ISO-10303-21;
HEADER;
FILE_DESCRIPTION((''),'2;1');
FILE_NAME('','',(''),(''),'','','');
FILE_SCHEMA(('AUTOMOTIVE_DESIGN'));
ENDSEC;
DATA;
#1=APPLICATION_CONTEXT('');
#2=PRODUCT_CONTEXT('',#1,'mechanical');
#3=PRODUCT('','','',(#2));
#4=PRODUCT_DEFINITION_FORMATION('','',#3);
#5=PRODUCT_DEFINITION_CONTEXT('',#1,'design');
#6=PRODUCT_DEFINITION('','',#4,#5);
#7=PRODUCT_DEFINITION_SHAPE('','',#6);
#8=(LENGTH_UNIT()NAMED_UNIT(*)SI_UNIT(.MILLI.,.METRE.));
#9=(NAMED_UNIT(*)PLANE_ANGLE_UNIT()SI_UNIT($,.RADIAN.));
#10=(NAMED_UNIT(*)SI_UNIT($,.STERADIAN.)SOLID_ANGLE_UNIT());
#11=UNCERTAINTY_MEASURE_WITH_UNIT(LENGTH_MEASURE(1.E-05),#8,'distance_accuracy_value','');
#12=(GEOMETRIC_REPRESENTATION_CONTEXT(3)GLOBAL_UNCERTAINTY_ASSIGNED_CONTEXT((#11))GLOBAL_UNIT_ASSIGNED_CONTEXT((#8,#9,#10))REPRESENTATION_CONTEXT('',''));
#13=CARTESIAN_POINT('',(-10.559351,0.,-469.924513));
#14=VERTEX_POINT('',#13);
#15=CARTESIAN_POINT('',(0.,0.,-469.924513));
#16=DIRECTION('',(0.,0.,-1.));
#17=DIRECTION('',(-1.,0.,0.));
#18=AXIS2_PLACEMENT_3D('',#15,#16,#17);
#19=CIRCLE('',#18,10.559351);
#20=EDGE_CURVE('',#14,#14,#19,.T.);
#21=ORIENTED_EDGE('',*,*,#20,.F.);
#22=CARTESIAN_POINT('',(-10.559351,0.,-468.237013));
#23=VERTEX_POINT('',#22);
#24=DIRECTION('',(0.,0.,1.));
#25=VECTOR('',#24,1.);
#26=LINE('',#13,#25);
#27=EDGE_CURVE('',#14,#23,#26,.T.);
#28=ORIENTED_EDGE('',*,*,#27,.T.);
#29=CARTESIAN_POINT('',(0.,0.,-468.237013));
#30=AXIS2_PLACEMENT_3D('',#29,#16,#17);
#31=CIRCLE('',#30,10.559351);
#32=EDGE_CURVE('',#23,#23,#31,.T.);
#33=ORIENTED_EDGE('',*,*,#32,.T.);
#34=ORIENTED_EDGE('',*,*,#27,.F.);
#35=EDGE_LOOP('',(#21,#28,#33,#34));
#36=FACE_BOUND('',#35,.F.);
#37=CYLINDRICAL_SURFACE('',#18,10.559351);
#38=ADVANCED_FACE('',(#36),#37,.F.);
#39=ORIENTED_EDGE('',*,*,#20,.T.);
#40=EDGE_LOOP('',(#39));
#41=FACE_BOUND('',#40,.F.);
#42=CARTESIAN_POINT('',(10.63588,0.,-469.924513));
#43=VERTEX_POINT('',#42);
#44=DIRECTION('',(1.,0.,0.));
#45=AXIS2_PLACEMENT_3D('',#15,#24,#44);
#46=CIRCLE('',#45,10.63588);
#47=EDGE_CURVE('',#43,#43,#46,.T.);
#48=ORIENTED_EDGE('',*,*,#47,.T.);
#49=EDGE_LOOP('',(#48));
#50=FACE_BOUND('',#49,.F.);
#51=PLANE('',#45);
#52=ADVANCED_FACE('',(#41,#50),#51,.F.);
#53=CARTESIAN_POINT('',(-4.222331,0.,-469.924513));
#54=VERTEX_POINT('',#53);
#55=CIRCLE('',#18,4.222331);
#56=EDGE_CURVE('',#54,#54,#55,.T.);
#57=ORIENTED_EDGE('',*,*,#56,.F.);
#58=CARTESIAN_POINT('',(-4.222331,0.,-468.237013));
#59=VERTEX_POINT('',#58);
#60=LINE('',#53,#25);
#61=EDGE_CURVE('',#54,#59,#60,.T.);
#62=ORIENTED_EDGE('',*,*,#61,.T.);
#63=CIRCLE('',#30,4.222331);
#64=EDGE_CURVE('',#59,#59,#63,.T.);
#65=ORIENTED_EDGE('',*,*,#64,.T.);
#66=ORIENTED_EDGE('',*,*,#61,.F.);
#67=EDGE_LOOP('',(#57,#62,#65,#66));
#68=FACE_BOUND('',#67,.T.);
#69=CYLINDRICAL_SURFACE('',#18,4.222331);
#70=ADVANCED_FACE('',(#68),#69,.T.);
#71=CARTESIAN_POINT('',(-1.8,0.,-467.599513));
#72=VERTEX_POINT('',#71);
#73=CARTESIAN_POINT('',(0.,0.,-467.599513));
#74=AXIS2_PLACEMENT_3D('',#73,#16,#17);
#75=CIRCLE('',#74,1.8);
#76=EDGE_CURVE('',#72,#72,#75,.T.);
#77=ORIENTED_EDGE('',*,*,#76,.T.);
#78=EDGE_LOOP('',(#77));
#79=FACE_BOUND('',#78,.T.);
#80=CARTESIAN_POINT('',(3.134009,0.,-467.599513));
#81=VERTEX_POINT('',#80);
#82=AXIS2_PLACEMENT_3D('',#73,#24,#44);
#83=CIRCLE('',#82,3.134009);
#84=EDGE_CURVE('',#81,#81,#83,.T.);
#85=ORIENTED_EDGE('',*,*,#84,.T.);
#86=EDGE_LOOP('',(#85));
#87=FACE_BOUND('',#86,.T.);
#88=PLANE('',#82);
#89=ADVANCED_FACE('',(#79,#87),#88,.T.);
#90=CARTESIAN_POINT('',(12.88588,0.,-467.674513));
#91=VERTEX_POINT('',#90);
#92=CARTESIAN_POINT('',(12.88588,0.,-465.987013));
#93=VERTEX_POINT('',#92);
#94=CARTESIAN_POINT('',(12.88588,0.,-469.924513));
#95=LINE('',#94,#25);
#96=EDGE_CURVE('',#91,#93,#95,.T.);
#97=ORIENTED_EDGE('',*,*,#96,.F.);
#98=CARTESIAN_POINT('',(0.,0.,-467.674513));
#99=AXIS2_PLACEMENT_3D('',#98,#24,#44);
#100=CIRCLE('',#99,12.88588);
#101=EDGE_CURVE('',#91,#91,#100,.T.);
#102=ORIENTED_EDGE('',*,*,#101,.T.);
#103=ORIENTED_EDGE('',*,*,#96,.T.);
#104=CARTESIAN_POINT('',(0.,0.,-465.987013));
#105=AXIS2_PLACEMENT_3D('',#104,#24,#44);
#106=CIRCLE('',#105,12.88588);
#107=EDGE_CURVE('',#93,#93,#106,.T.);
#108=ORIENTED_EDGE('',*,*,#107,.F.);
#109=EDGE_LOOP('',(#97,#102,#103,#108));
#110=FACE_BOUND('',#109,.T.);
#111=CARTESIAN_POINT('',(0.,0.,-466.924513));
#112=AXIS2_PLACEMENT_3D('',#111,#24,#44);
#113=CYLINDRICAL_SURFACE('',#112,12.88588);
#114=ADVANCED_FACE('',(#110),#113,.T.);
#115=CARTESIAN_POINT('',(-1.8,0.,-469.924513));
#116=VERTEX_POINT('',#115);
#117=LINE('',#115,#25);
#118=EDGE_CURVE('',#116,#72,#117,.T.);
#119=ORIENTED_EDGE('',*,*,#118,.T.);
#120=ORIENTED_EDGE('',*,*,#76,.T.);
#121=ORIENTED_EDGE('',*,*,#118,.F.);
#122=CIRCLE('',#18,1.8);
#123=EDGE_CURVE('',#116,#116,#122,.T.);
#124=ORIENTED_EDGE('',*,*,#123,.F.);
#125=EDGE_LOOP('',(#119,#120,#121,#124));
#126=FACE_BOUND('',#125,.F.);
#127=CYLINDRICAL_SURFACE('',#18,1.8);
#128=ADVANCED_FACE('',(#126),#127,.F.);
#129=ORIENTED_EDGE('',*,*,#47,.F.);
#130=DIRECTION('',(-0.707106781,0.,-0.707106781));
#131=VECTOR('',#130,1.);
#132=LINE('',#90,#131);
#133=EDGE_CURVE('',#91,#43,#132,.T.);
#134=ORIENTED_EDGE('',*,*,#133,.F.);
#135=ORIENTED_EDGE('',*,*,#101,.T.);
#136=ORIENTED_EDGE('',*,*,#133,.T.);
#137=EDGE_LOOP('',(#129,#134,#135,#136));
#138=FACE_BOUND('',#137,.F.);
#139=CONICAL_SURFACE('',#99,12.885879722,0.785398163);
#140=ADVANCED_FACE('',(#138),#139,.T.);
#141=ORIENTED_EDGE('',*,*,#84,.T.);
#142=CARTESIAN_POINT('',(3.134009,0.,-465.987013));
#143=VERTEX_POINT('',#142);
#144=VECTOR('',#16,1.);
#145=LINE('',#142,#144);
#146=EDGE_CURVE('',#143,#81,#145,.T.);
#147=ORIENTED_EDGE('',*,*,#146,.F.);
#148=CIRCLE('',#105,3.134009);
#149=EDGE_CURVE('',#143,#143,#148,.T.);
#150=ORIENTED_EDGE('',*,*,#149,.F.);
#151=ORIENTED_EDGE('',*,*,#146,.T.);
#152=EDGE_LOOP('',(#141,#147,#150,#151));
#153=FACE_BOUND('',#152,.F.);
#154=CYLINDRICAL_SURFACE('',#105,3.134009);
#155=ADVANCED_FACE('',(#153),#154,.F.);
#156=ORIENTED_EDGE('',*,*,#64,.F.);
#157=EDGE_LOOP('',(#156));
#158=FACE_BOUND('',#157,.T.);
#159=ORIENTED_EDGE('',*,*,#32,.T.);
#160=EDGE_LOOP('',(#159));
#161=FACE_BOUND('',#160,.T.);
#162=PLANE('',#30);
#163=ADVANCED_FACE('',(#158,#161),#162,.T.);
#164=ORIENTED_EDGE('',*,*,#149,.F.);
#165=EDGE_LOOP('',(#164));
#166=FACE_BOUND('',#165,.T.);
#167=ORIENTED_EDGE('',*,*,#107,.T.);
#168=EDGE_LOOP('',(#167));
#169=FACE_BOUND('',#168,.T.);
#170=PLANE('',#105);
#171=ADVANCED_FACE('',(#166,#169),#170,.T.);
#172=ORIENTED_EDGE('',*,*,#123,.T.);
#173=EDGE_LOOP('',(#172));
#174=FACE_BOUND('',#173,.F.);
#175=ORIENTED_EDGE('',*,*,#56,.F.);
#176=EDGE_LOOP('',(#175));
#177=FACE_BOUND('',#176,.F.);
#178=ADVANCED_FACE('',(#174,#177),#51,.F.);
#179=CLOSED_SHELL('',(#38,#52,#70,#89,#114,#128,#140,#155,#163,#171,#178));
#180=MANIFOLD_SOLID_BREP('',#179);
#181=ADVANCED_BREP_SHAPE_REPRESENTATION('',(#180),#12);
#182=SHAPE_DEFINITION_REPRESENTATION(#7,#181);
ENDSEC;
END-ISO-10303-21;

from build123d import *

# Parameters (mm, degrees)
SKETCH2_R                = 17.181172962
BOSS_EXTRUDE1_DEPTH      = 1.25
BOSS_EXTRUDE1_DEPTH_BACK = 4
SKETCH3_R                = 14.079134115
SKETCH3_R_2              = 5.629774077
CUT_EXTRUDE1_DEPTH       = 2.25
SKETCH4_R                = 2.4
CUT_EXTRUDE2_DEPTH       = 12.25
SKETCH5_R                = 4.178678746
CUT_EXTRUDE3_DEPTH       = 2.15
CHAMFER1_SIZE            = 3
SCALE2_SCALE             = 0.75


with BuildPart() as part:
    # Sketch2 → Boss-Extrude1 (new body, two sides)
    with BuildSketch(Plane.XY.offset(-466.775167308)) as boss_extrude1_sk:
        Circle(SKETCH2_R)
    extrude(amount=BOSS_EXTRUDE1_DEPTH)
    extrude(boss_extrude1_sk.sketch, amount=-BOSS_EXTRUDE1_DEPTH_BACK)

    # Sketch3 → Cut-Extrude1 (cut)
    with BuildSketch(Plane(origin=(0, 0, -470.775167308), x_dir=(-1, 0, 0), z_dir=(0, 0, -1))):
        Circle(SKETCH3_R)
        Circle(SKETCH3_R_2, mode=Mode.SUBTRACT)
    extrude(amount=-CUT_EXTRUDE1_DEPTH, mode=Mode.SUBTRACT)

    # Sketch4 → Cut-Extrude2 (cut)
    with BuildSketch(Plane(origin=(0, 0, -470.775167308), x_dir=(-1, 0, 0), z_dir=(0, 0, -1))):
        Circle(SKETCH4_R)
    extrude(amount=-CUT_EXTRUDE2_DEPTH, mode=Mode.SUBTRACT)

    # Sketch5 → Cut-Extrude3 (cut)
    with BuildSketch(Plane.XY.offset(-465.525167308)):
        Circle(SKETCH5_R)
    extrude(amount=-CUT_EXTRUDE3_DEPTH, mode=Mode.SUBTRACT)

    # Chamfer1
    chamfer1_edges = [part.edges().sort_by_distance(p)[0] for p in [
        (-17.181172962, 0, -470.775167308),
    ]]
    chamfer(chamfer1_edges, length=CHAMFER1_SIZE)


with BuildPart() as part_1:
    # Scale2: scaled about (0, 0, -467.372549258)
    add(part.part.scale(SCALE2_SCALE).moved(Location((0, 0, -116.843137314))))


solid = part_1.part
